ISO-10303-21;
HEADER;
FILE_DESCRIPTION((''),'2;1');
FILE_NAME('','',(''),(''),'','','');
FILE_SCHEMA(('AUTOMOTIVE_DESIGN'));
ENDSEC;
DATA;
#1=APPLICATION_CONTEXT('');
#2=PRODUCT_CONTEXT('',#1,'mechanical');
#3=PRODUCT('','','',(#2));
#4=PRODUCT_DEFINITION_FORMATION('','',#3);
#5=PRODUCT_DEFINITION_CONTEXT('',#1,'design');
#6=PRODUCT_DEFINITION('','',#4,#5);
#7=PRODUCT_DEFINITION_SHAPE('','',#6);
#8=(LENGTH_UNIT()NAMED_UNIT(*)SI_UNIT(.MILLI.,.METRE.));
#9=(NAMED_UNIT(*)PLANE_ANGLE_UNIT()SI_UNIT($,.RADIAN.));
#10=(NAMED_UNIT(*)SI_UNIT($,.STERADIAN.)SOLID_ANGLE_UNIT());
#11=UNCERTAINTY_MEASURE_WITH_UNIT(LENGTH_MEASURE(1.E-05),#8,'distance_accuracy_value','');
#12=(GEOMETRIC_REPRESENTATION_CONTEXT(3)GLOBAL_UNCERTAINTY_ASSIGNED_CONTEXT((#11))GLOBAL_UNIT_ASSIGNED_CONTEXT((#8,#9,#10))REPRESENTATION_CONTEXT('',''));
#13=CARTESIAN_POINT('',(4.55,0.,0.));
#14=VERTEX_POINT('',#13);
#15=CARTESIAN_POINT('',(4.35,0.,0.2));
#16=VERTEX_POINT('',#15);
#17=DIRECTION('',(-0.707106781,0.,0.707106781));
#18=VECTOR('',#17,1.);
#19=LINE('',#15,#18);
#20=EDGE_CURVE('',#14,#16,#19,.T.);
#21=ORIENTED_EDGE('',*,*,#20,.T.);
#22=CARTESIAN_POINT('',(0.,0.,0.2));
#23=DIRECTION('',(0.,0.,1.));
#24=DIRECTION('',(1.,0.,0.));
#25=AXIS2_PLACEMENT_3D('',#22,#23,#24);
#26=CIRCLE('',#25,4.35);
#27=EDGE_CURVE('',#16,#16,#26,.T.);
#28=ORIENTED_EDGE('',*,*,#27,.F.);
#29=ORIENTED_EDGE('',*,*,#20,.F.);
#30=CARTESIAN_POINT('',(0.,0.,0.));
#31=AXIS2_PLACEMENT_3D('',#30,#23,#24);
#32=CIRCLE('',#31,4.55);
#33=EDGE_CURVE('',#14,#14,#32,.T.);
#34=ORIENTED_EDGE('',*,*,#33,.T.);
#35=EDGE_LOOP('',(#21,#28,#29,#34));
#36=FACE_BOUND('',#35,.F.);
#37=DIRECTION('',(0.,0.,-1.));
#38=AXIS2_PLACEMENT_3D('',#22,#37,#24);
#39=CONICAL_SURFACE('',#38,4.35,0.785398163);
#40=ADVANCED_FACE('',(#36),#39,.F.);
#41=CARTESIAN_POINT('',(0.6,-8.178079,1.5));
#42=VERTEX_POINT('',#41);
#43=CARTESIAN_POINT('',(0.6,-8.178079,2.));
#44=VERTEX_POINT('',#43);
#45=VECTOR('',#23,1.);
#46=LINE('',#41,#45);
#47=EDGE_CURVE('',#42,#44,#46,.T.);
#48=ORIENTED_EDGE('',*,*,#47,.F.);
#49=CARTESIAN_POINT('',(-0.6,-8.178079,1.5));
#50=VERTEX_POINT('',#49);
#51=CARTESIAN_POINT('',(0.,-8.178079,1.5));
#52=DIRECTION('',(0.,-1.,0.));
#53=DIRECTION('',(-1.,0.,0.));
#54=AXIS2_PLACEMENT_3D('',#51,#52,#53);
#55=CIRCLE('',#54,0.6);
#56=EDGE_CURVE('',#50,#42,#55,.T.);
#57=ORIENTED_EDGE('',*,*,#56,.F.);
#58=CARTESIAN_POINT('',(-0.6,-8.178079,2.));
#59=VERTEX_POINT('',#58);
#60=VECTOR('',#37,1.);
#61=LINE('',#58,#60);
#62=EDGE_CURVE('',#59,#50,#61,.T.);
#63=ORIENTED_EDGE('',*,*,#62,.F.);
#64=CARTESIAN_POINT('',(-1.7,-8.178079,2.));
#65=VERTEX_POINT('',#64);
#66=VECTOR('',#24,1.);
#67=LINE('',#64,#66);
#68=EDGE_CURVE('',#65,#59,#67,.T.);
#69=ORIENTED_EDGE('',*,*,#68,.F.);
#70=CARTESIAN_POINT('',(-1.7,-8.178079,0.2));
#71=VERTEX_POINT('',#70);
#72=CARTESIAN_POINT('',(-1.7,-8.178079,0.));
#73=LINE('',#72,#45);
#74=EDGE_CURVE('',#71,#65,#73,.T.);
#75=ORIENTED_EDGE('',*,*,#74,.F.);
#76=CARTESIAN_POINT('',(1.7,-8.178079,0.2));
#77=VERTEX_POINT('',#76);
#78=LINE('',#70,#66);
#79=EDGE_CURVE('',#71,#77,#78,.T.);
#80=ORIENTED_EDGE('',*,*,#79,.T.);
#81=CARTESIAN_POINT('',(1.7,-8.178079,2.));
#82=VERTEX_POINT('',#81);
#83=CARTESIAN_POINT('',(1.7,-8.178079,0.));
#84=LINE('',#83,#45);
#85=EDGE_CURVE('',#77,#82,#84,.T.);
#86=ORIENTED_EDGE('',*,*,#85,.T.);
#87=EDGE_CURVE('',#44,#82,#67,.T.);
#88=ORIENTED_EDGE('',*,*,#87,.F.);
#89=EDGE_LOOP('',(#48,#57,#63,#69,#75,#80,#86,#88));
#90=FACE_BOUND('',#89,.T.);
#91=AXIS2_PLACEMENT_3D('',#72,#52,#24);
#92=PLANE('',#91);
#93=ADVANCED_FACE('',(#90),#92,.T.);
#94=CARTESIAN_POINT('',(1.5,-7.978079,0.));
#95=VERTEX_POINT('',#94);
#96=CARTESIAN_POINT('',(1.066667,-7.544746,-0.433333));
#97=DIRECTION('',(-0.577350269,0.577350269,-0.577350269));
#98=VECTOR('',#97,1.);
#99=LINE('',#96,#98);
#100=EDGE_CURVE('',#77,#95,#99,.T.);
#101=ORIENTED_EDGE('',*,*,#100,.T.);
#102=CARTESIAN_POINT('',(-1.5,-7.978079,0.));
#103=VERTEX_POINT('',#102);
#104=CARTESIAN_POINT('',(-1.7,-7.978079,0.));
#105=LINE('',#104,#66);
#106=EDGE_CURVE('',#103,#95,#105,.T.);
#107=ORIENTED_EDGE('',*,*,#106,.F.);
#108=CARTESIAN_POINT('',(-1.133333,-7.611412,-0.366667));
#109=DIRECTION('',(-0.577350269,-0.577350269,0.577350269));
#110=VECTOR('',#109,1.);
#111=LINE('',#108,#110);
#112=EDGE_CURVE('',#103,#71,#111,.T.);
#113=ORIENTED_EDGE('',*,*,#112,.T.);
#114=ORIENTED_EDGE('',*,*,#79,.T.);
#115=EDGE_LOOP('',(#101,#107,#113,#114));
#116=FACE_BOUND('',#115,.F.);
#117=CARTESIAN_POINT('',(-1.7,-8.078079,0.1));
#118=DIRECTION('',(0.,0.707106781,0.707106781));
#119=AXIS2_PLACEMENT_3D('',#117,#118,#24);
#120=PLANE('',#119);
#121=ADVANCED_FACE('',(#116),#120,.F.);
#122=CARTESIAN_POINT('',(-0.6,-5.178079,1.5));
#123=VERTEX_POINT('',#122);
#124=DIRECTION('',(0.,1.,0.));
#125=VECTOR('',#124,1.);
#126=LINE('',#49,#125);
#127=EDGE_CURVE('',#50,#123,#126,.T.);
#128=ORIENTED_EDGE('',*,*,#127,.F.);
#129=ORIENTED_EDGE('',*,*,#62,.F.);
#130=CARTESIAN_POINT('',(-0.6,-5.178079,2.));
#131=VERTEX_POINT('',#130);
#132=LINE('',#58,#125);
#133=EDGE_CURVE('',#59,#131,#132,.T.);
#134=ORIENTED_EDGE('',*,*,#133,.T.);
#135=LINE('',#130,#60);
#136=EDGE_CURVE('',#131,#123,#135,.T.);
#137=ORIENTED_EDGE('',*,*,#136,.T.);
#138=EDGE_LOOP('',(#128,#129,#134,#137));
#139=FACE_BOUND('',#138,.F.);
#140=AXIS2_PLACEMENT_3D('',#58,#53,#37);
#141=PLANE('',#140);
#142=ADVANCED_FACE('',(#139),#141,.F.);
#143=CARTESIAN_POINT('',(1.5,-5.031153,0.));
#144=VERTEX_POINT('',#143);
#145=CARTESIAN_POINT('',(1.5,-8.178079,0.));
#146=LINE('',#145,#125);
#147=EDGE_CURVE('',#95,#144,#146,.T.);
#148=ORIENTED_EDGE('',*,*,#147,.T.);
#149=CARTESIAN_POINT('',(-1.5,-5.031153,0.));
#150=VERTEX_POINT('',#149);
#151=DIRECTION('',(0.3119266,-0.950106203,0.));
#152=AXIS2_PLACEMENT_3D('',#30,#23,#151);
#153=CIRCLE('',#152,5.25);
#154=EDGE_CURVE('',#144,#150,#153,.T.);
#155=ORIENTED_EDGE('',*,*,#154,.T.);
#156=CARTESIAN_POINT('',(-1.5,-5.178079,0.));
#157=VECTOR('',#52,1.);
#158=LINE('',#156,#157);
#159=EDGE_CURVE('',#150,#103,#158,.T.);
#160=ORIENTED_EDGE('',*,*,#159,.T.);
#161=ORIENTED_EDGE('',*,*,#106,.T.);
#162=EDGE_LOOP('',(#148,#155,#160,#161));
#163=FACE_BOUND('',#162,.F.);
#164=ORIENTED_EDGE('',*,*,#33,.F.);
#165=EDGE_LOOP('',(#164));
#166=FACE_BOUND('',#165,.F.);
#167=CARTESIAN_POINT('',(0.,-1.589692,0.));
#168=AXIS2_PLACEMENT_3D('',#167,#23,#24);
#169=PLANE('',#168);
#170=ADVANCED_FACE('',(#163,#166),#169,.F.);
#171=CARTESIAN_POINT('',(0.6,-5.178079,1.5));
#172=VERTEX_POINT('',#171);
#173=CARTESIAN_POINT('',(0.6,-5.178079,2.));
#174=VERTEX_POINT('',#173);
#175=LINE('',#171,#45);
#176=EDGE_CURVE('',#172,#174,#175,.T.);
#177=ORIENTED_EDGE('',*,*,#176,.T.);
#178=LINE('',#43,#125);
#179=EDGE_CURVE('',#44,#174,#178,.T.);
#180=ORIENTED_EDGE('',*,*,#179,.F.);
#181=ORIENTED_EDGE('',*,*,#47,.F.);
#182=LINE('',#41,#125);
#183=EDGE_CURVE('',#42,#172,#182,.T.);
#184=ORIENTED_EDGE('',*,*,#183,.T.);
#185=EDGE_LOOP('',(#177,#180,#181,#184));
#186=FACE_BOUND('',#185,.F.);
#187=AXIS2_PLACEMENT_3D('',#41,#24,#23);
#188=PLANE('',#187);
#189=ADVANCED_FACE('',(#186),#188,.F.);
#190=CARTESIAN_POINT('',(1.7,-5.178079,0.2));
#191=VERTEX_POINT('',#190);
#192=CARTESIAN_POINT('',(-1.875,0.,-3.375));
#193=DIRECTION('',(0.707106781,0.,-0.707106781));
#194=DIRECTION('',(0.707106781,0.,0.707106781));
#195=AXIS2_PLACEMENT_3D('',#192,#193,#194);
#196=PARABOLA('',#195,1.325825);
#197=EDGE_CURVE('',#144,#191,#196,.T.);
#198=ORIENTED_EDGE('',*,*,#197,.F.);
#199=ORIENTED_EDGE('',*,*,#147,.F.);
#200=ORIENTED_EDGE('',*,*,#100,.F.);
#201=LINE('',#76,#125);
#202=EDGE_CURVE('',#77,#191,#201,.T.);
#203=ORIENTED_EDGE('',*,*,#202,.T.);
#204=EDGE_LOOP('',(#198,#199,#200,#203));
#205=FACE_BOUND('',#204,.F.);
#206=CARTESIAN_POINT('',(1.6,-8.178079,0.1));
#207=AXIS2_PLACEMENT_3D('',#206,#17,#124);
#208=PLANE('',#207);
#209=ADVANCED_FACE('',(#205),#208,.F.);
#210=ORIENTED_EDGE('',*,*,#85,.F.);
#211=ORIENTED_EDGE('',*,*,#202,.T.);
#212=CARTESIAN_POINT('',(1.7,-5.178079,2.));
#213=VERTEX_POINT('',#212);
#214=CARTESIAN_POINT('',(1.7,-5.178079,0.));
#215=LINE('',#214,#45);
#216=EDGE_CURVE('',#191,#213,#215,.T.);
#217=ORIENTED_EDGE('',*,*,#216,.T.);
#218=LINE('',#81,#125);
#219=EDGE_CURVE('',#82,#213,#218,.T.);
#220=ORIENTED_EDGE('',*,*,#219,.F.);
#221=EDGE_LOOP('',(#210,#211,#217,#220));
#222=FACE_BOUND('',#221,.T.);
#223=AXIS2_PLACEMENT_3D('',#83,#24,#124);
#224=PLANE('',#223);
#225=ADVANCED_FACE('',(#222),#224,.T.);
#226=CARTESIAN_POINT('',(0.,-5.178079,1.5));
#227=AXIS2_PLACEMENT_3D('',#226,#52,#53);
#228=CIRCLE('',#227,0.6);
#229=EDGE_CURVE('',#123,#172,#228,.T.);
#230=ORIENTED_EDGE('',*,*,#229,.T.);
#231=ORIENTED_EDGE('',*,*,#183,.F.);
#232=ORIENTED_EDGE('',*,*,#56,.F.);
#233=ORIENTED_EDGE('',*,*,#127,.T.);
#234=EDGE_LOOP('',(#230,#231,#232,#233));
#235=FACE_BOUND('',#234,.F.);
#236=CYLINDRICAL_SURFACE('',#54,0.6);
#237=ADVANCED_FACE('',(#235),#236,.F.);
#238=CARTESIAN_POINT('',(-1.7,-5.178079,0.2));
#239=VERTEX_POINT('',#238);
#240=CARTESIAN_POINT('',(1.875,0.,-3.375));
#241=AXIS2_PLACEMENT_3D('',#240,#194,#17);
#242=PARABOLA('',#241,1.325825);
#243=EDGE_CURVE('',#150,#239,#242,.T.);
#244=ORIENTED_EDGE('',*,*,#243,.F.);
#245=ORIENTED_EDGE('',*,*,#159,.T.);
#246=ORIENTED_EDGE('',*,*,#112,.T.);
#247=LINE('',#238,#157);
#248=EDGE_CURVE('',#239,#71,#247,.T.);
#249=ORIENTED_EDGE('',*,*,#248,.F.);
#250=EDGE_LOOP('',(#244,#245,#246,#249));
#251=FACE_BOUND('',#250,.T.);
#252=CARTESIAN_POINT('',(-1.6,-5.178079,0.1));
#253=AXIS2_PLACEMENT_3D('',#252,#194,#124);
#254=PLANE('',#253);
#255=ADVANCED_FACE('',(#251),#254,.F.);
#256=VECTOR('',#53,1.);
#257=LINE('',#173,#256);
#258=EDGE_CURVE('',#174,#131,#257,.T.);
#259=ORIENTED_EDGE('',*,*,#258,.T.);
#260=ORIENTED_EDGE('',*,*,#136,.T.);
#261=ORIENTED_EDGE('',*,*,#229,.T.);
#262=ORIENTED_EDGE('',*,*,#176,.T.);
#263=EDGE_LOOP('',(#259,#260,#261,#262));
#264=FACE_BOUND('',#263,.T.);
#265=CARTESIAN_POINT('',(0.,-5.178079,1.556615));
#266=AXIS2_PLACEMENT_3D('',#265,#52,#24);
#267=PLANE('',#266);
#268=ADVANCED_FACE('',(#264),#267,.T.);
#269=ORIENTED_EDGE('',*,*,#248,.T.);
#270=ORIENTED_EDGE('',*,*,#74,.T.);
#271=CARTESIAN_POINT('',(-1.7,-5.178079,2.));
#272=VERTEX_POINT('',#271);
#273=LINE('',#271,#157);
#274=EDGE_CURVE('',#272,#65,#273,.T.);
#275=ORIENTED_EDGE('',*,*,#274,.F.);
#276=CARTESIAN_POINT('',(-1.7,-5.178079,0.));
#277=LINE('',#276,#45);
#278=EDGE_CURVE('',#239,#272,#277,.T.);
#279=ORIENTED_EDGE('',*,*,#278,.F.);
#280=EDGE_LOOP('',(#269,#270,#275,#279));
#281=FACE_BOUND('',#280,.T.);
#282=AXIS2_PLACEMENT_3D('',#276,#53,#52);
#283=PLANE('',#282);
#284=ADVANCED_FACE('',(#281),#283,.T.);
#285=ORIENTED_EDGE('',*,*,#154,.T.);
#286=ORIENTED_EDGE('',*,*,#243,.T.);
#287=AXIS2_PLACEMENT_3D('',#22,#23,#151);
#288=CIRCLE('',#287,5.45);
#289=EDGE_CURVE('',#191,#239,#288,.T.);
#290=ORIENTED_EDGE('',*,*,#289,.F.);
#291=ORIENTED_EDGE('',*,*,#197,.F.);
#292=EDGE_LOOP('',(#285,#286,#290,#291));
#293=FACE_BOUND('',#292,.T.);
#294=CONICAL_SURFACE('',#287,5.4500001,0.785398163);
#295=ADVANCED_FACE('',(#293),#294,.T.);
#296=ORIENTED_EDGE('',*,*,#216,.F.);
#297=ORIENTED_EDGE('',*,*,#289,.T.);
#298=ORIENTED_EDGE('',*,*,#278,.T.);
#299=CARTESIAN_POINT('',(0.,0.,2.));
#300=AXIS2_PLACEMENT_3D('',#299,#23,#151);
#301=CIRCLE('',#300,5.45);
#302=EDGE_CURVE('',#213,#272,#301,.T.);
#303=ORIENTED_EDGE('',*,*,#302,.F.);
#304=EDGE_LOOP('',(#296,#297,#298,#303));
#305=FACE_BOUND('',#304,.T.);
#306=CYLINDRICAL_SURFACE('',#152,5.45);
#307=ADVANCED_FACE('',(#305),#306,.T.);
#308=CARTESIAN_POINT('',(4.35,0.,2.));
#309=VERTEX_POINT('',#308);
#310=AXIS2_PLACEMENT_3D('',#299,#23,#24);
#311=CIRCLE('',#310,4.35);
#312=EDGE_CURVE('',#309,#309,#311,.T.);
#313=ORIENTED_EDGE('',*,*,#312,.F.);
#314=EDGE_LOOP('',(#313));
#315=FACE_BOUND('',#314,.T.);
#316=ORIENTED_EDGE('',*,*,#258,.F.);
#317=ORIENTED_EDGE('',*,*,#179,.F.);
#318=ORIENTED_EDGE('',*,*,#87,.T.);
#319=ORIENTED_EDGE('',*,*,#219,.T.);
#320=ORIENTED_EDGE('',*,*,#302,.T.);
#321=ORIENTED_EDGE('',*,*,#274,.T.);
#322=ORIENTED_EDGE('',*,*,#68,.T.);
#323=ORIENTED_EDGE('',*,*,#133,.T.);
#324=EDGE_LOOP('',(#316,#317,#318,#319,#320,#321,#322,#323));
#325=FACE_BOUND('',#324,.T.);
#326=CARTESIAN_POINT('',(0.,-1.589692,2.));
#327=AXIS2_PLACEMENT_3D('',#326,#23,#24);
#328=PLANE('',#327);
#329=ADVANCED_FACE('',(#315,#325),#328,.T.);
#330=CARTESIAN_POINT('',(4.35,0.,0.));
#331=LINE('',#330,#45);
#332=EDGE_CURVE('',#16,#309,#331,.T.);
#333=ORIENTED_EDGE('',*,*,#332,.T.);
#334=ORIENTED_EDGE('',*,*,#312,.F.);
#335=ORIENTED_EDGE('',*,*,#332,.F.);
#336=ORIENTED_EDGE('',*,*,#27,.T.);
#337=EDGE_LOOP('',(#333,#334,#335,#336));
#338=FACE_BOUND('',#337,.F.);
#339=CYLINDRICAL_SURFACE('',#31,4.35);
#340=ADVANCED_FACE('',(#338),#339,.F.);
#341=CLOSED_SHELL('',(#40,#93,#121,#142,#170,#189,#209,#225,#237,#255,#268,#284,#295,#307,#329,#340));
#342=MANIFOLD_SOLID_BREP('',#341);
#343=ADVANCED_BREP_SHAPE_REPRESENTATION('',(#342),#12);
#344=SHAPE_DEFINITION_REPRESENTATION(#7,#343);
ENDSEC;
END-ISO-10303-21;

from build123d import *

# Parameters (mm, degrees)
F0_R     = 4.35
F4_DEPTH = 3
F5_SIZE  = 0.2


with BuildPart() as f2:
    # F2: sweep along a path in F1
    with BuildLine(Plane.XZ) as f2_path:
        Line((0, 0), (0, 2))
    # F0 (on Top) → F2 (sweep)
    with BuildSketch(Plane.XY):
        with BuildLine():
            Line((1.7, -8.178079), (1.7, -5.178079))
            ThreePointArc((1.7, -5.178079), (0, 5.45), (-1.7, -5.178079))
            Line((-1.7, -5.178079), (-1.7, -8.178079))
            Line((-1.7, -8.178079), (1.7, -8.178079))
        make_face()
        Circle(F0_R, mode=Mode.SUBTRACT)
    sweep(path=f2_path.line)

    # F3 (on face) → F4 (cut)
    with BuildSketch(Plane.XZ.offset(8.178079)):
        with BuildLine():
            Line((-0.6, 2), (-0.6, 1.5))
            ThreePointArc((-0.6, 1.5), (0, 0.9), (0.6, 1.5))
            Line((0.6, 1.5), (0.6, 2))
            Line((0.6, 2), (-0.6, 2))
        make_face()
    extrude(amount=-F4_DEPTH, mode=Mode.SUBTRACT)

    # F5
    f5_edges = [f2.edges().sort_by_distance(p)[0] for p in [
        (-1.7, -6.678079, 0),
        (0, 5.45, 0),
        (0, -8.178079, 0),
        (1.7, -6.678079, 0),
        (-4.35, 0, 0),
    ]]
    chamfer(f5_edges, length=F5_SIZE)


solid = f2.part
